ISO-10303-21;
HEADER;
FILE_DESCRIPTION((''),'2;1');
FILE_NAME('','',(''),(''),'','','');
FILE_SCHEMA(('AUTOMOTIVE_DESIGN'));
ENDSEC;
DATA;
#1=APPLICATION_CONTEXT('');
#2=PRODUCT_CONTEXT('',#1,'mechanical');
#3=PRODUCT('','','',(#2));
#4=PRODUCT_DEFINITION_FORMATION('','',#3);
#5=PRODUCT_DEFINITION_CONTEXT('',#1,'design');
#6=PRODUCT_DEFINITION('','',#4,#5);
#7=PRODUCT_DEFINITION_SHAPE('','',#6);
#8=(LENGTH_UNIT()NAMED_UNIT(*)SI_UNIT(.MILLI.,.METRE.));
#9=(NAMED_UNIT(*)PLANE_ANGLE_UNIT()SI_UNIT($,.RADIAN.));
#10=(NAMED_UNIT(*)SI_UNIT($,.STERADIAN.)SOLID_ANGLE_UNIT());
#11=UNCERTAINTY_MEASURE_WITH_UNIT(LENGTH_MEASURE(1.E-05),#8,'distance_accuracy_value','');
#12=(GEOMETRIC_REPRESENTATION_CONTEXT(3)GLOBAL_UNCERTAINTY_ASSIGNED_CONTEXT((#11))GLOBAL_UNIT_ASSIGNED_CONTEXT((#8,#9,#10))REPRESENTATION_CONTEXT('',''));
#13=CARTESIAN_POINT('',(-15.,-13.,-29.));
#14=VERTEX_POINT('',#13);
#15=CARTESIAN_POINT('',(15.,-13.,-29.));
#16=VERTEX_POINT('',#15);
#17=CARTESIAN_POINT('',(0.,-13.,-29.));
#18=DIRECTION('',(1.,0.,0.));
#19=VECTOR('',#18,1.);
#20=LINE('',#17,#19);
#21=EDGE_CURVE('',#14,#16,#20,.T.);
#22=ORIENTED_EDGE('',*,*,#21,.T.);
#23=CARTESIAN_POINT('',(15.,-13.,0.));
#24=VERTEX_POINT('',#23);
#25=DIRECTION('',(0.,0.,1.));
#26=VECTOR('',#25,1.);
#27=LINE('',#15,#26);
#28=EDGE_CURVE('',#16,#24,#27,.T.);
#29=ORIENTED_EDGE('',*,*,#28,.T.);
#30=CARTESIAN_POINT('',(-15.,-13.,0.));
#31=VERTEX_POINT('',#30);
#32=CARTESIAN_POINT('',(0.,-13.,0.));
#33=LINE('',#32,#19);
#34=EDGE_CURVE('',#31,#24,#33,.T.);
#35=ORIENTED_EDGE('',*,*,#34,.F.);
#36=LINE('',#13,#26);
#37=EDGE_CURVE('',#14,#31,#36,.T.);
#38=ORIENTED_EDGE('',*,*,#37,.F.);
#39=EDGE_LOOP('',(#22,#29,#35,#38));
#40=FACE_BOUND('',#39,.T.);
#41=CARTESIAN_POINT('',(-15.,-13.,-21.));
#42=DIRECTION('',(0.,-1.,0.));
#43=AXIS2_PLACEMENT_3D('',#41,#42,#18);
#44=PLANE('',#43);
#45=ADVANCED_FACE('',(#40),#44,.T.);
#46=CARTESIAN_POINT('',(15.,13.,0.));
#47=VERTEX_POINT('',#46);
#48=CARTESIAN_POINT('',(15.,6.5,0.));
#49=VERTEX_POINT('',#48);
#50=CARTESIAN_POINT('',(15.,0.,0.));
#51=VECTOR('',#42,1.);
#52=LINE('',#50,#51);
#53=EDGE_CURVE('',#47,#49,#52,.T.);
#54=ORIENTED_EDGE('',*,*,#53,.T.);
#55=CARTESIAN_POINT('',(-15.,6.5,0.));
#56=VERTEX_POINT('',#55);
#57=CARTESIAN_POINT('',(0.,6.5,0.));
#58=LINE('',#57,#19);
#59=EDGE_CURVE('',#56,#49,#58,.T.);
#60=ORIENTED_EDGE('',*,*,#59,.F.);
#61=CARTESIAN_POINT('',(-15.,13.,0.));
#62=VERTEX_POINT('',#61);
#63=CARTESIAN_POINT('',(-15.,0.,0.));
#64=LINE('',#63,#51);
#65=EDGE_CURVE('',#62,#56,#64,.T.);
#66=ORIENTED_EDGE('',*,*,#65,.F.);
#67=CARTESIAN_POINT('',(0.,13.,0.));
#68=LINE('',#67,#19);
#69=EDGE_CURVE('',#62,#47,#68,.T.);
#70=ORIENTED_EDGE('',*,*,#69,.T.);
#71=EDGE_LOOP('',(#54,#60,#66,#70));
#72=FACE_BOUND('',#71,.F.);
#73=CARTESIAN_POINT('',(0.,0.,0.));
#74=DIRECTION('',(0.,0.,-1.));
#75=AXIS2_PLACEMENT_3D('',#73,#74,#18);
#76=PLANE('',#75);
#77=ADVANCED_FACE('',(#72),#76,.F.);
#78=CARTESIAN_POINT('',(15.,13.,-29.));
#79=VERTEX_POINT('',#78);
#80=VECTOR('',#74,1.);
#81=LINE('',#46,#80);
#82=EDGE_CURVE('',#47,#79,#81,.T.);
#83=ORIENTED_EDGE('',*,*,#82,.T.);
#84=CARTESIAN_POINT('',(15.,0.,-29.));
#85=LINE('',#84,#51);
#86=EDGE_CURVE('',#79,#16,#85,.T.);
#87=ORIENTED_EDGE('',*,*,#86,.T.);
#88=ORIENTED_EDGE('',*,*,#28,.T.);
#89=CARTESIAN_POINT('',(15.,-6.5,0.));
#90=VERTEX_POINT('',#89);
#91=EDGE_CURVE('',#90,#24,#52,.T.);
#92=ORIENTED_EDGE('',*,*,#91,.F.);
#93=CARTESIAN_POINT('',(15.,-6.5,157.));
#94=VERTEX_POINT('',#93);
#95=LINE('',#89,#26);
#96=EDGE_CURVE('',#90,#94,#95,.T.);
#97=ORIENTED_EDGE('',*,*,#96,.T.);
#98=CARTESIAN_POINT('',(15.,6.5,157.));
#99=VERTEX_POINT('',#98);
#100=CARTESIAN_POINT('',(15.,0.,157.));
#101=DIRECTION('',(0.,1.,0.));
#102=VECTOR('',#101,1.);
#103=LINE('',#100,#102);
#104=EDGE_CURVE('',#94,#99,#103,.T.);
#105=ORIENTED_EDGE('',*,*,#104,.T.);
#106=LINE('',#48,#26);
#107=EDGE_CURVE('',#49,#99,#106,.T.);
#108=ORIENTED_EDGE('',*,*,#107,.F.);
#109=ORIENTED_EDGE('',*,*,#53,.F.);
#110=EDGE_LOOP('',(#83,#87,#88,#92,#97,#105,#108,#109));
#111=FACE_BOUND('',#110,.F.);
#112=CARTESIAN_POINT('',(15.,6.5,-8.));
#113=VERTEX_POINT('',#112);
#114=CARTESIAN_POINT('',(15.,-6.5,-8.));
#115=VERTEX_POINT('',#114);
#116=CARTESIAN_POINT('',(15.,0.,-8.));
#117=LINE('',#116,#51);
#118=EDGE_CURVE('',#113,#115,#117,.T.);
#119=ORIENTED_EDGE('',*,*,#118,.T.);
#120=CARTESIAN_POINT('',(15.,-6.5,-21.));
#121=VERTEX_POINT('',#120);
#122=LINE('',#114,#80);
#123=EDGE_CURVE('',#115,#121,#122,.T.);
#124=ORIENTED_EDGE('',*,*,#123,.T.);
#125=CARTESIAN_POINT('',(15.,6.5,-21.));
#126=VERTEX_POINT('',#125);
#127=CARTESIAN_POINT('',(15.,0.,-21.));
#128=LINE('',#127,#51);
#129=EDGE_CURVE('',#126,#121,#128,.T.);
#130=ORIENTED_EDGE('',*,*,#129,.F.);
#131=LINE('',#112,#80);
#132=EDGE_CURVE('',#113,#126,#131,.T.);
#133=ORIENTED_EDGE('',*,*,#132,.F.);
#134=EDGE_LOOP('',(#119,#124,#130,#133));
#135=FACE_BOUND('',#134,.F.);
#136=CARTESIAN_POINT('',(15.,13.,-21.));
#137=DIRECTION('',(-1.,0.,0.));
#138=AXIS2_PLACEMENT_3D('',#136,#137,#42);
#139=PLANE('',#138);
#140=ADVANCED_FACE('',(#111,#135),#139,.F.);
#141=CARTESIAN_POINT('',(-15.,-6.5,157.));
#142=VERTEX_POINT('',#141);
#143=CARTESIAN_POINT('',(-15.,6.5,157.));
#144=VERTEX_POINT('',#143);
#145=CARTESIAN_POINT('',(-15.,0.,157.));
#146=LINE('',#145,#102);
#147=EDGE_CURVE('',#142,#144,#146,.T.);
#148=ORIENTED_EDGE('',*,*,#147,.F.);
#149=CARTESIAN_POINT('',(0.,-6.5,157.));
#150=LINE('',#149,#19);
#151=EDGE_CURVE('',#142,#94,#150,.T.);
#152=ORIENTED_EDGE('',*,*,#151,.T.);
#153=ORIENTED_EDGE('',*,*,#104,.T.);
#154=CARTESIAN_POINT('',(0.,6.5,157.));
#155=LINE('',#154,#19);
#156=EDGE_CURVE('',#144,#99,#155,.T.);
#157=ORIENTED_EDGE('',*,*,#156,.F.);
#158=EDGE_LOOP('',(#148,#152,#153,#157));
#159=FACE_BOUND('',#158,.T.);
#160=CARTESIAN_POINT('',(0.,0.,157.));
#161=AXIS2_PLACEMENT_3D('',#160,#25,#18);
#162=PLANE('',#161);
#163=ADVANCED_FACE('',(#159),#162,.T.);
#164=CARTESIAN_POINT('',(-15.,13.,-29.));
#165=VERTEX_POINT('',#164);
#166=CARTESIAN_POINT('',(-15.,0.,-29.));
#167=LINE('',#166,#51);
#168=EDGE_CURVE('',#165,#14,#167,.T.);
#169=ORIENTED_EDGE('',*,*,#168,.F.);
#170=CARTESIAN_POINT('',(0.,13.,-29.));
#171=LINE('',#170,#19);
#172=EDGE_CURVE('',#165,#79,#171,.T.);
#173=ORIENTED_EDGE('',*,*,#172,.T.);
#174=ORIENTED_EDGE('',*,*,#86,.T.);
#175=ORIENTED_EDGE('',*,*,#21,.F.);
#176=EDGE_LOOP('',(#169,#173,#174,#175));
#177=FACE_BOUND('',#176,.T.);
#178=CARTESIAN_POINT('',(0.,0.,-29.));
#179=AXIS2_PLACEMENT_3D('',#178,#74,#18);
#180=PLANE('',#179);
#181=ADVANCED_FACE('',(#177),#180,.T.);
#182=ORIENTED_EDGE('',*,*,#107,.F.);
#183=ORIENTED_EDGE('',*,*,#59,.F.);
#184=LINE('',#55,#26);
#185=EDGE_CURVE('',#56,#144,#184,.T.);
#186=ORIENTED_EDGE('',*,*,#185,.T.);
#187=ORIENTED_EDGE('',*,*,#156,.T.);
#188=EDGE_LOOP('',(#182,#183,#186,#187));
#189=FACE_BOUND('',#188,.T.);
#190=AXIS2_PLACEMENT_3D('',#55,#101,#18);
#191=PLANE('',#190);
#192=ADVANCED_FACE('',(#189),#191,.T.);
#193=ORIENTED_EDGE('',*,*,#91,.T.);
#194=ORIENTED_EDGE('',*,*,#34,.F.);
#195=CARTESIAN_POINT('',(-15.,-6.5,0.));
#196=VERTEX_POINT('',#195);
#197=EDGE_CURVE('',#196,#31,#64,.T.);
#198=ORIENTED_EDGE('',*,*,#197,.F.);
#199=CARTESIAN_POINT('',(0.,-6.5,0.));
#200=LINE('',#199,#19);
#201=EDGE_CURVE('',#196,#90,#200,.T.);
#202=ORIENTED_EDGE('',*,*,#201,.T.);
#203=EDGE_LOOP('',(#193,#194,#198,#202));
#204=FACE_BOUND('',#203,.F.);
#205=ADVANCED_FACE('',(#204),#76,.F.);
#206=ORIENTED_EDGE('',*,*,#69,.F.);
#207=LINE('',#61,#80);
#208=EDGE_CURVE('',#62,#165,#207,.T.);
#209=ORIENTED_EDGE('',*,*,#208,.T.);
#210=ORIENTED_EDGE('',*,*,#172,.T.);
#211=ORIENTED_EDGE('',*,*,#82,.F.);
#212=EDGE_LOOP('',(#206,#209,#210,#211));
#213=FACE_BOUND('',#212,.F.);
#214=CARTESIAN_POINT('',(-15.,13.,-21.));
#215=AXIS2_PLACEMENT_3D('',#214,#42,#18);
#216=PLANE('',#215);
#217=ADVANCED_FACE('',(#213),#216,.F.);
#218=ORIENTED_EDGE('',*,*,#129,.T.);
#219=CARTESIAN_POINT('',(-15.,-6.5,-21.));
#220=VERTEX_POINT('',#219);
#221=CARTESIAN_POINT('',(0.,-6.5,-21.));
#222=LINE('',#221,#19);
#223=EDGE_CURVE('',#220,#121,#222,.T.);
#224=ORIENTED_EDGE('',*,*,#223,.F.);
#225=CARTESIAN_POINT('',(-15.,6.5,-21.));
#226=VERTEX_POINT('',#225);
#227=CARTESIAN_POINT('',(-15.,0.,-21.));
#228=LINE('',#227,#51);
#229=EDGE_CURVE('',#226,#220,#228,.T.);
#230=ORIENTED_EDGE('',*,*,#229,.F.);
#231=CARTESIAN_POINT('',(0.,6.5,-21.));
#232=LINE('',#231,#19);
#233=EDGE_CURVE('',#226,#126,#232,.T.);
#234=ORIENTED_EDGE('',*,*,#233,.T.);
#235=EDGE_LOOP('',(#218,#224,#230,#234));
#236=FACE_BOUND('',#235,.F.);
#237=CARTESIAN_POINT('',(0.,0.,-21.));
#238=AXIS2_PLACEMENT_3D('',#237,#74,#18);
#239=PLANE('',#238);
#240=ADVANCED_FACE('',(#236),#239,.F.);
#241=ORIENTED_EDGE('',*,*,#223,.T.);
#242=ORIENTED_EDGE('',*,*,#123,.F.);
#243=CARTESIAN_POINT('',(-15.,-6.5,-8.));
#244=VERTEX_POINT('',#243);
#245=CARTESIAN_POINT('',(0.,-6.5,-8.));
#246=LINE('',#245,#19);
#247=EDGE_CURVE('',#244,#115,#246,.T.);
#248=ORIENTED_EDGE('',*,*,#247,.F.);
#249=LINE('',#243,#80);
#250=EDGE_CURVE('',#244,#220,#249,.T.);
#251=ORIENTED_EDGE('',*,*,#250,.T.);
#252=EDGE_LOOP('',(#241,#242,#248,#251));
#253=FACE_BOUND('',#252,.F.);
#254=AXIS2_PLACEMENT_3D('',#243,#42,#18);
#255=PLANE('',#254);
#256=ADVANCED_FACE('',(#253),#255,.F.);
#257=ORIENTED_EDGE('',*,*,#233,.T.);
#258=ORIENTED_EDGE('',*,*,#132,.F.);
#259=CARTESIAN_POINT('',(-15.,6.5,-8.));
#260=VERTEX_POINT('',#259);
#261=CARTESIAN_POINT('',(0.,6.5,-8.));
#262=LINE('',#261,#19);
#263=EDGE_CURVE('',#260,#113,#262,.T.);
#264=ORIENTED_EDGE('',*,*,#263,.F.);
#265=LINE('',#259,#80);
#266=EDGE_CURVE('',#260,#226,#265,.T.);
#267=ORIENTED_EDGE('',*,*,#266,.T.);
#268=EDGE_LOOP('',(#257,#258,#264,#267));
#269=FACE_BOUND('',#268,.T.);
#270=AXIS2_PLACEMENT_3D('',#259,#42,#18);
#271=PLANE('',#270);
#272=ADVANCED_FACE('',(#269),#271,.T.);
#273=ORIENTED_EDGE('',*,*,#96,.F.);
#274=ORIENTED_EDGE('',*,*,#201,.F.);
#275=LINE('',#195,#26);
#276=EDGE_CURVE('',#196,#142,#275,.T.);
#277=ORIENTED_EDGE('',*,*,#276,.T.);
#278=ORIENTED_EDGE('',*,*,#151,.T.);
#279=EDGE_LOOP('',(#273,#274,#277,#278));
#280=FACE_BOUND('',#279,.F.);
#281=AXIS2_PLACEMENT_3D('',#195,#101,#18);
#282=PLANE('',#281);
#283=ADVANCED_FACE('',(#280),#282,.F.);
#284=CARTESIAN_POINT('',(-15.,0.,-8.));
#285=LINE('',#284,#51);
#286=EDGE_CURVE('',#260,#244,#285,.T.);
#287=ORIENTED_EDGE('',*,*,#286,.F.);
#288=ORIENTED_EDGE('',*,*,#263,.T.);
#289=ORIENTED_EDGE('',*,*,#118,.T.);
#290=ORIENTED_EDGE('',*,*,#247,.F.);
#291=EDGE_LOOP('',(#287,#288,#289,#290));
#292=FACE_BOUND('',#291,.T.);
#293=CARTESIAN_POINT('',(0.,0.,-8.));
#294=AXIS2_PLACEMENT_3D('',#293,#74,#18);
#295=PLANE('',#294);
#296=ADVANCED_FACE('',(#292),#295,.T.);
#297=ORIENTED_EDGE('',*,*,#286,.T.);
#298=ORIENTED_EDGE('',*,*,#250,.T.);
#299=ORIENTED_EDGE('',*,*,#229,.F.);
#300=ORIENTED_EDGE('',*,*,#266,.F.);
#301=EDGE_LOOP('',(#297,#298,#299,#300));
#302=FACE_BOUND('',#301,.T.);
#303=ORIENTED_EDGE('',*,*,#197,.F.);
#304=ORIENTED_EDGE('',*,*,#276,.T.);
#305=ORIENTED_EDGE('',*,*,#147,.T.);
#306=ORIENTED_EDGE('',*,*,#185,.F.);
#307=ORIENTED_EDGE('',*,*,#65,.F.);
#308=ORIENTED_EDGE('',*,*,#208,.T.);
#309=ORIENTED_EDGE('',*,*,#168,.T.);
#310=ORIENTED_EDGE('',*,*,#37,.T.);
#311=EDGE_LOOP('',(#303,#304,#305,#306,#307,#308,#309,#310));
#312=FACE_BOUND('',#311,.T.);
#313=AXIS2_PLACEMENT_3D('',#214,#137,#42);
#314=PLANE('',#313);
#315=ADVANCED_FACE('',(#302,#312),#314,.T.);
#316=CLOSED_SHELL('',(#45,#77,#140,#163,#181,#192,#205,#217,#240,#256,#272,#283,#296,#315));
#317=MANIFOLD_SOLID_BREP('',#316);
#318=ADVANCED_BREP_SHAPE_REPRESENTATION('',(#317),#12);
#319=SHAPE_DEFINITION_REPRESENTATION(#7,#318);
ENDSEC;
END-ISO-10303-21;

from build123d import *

# Parameters (mm, degrees)
F0_W     = 30
F0_H     = 13
F1_DEPTH = 157
F2_W     = 30
F2_H     = 26
F3_DEPTH = 8
F4_W     = 30
F4_H     = 6.5
F5_DEPTH = 13
F6_W     = 30
F6_H     = 26
F7_DEPTH = 8


with BuildPart() as f1:
    # F0 (on Top) → F1 (new body)
    with BuildSketch(Plane.XY):
        Rectangle(F0_W, F0_H)
    extrude(amount=F1_DEPTH)

    # F2 (on face) → F3 (join)
    with BuildSketch(Plane(origin=(0, 0, 0), x_dir=(1, 0, 0), z_dir=(0, 0, -1))):
        Rectangle(F2_W, F2_H)
    extrude(amount=F3_DEPTH)

    # F4 (on face) → F5 (join)
    with BuildSketch(Plane(origin=(0, 0, -8), x_dir=(1, 0, 0), z_dir=(0, 0, -1))):
        with Locations((0, -9.75)):
            Rectangle(F4_W, F4_H)
        with Locations((0, 9.75)):
            Rectangle(F4_W, F4_H)
    extrude(amount=F5_DEPTH)

    # F6 (on face) → F7 (join)
    with BuildSketch(Plane(origin=(0, 0, -21), x_dir=(1, 0, 0), z_dir=(0, 0, -1))):
        Rectangle(F6_W, F6_H)
    extrude(amount=F7_DEPTH)


solid = f1.part
